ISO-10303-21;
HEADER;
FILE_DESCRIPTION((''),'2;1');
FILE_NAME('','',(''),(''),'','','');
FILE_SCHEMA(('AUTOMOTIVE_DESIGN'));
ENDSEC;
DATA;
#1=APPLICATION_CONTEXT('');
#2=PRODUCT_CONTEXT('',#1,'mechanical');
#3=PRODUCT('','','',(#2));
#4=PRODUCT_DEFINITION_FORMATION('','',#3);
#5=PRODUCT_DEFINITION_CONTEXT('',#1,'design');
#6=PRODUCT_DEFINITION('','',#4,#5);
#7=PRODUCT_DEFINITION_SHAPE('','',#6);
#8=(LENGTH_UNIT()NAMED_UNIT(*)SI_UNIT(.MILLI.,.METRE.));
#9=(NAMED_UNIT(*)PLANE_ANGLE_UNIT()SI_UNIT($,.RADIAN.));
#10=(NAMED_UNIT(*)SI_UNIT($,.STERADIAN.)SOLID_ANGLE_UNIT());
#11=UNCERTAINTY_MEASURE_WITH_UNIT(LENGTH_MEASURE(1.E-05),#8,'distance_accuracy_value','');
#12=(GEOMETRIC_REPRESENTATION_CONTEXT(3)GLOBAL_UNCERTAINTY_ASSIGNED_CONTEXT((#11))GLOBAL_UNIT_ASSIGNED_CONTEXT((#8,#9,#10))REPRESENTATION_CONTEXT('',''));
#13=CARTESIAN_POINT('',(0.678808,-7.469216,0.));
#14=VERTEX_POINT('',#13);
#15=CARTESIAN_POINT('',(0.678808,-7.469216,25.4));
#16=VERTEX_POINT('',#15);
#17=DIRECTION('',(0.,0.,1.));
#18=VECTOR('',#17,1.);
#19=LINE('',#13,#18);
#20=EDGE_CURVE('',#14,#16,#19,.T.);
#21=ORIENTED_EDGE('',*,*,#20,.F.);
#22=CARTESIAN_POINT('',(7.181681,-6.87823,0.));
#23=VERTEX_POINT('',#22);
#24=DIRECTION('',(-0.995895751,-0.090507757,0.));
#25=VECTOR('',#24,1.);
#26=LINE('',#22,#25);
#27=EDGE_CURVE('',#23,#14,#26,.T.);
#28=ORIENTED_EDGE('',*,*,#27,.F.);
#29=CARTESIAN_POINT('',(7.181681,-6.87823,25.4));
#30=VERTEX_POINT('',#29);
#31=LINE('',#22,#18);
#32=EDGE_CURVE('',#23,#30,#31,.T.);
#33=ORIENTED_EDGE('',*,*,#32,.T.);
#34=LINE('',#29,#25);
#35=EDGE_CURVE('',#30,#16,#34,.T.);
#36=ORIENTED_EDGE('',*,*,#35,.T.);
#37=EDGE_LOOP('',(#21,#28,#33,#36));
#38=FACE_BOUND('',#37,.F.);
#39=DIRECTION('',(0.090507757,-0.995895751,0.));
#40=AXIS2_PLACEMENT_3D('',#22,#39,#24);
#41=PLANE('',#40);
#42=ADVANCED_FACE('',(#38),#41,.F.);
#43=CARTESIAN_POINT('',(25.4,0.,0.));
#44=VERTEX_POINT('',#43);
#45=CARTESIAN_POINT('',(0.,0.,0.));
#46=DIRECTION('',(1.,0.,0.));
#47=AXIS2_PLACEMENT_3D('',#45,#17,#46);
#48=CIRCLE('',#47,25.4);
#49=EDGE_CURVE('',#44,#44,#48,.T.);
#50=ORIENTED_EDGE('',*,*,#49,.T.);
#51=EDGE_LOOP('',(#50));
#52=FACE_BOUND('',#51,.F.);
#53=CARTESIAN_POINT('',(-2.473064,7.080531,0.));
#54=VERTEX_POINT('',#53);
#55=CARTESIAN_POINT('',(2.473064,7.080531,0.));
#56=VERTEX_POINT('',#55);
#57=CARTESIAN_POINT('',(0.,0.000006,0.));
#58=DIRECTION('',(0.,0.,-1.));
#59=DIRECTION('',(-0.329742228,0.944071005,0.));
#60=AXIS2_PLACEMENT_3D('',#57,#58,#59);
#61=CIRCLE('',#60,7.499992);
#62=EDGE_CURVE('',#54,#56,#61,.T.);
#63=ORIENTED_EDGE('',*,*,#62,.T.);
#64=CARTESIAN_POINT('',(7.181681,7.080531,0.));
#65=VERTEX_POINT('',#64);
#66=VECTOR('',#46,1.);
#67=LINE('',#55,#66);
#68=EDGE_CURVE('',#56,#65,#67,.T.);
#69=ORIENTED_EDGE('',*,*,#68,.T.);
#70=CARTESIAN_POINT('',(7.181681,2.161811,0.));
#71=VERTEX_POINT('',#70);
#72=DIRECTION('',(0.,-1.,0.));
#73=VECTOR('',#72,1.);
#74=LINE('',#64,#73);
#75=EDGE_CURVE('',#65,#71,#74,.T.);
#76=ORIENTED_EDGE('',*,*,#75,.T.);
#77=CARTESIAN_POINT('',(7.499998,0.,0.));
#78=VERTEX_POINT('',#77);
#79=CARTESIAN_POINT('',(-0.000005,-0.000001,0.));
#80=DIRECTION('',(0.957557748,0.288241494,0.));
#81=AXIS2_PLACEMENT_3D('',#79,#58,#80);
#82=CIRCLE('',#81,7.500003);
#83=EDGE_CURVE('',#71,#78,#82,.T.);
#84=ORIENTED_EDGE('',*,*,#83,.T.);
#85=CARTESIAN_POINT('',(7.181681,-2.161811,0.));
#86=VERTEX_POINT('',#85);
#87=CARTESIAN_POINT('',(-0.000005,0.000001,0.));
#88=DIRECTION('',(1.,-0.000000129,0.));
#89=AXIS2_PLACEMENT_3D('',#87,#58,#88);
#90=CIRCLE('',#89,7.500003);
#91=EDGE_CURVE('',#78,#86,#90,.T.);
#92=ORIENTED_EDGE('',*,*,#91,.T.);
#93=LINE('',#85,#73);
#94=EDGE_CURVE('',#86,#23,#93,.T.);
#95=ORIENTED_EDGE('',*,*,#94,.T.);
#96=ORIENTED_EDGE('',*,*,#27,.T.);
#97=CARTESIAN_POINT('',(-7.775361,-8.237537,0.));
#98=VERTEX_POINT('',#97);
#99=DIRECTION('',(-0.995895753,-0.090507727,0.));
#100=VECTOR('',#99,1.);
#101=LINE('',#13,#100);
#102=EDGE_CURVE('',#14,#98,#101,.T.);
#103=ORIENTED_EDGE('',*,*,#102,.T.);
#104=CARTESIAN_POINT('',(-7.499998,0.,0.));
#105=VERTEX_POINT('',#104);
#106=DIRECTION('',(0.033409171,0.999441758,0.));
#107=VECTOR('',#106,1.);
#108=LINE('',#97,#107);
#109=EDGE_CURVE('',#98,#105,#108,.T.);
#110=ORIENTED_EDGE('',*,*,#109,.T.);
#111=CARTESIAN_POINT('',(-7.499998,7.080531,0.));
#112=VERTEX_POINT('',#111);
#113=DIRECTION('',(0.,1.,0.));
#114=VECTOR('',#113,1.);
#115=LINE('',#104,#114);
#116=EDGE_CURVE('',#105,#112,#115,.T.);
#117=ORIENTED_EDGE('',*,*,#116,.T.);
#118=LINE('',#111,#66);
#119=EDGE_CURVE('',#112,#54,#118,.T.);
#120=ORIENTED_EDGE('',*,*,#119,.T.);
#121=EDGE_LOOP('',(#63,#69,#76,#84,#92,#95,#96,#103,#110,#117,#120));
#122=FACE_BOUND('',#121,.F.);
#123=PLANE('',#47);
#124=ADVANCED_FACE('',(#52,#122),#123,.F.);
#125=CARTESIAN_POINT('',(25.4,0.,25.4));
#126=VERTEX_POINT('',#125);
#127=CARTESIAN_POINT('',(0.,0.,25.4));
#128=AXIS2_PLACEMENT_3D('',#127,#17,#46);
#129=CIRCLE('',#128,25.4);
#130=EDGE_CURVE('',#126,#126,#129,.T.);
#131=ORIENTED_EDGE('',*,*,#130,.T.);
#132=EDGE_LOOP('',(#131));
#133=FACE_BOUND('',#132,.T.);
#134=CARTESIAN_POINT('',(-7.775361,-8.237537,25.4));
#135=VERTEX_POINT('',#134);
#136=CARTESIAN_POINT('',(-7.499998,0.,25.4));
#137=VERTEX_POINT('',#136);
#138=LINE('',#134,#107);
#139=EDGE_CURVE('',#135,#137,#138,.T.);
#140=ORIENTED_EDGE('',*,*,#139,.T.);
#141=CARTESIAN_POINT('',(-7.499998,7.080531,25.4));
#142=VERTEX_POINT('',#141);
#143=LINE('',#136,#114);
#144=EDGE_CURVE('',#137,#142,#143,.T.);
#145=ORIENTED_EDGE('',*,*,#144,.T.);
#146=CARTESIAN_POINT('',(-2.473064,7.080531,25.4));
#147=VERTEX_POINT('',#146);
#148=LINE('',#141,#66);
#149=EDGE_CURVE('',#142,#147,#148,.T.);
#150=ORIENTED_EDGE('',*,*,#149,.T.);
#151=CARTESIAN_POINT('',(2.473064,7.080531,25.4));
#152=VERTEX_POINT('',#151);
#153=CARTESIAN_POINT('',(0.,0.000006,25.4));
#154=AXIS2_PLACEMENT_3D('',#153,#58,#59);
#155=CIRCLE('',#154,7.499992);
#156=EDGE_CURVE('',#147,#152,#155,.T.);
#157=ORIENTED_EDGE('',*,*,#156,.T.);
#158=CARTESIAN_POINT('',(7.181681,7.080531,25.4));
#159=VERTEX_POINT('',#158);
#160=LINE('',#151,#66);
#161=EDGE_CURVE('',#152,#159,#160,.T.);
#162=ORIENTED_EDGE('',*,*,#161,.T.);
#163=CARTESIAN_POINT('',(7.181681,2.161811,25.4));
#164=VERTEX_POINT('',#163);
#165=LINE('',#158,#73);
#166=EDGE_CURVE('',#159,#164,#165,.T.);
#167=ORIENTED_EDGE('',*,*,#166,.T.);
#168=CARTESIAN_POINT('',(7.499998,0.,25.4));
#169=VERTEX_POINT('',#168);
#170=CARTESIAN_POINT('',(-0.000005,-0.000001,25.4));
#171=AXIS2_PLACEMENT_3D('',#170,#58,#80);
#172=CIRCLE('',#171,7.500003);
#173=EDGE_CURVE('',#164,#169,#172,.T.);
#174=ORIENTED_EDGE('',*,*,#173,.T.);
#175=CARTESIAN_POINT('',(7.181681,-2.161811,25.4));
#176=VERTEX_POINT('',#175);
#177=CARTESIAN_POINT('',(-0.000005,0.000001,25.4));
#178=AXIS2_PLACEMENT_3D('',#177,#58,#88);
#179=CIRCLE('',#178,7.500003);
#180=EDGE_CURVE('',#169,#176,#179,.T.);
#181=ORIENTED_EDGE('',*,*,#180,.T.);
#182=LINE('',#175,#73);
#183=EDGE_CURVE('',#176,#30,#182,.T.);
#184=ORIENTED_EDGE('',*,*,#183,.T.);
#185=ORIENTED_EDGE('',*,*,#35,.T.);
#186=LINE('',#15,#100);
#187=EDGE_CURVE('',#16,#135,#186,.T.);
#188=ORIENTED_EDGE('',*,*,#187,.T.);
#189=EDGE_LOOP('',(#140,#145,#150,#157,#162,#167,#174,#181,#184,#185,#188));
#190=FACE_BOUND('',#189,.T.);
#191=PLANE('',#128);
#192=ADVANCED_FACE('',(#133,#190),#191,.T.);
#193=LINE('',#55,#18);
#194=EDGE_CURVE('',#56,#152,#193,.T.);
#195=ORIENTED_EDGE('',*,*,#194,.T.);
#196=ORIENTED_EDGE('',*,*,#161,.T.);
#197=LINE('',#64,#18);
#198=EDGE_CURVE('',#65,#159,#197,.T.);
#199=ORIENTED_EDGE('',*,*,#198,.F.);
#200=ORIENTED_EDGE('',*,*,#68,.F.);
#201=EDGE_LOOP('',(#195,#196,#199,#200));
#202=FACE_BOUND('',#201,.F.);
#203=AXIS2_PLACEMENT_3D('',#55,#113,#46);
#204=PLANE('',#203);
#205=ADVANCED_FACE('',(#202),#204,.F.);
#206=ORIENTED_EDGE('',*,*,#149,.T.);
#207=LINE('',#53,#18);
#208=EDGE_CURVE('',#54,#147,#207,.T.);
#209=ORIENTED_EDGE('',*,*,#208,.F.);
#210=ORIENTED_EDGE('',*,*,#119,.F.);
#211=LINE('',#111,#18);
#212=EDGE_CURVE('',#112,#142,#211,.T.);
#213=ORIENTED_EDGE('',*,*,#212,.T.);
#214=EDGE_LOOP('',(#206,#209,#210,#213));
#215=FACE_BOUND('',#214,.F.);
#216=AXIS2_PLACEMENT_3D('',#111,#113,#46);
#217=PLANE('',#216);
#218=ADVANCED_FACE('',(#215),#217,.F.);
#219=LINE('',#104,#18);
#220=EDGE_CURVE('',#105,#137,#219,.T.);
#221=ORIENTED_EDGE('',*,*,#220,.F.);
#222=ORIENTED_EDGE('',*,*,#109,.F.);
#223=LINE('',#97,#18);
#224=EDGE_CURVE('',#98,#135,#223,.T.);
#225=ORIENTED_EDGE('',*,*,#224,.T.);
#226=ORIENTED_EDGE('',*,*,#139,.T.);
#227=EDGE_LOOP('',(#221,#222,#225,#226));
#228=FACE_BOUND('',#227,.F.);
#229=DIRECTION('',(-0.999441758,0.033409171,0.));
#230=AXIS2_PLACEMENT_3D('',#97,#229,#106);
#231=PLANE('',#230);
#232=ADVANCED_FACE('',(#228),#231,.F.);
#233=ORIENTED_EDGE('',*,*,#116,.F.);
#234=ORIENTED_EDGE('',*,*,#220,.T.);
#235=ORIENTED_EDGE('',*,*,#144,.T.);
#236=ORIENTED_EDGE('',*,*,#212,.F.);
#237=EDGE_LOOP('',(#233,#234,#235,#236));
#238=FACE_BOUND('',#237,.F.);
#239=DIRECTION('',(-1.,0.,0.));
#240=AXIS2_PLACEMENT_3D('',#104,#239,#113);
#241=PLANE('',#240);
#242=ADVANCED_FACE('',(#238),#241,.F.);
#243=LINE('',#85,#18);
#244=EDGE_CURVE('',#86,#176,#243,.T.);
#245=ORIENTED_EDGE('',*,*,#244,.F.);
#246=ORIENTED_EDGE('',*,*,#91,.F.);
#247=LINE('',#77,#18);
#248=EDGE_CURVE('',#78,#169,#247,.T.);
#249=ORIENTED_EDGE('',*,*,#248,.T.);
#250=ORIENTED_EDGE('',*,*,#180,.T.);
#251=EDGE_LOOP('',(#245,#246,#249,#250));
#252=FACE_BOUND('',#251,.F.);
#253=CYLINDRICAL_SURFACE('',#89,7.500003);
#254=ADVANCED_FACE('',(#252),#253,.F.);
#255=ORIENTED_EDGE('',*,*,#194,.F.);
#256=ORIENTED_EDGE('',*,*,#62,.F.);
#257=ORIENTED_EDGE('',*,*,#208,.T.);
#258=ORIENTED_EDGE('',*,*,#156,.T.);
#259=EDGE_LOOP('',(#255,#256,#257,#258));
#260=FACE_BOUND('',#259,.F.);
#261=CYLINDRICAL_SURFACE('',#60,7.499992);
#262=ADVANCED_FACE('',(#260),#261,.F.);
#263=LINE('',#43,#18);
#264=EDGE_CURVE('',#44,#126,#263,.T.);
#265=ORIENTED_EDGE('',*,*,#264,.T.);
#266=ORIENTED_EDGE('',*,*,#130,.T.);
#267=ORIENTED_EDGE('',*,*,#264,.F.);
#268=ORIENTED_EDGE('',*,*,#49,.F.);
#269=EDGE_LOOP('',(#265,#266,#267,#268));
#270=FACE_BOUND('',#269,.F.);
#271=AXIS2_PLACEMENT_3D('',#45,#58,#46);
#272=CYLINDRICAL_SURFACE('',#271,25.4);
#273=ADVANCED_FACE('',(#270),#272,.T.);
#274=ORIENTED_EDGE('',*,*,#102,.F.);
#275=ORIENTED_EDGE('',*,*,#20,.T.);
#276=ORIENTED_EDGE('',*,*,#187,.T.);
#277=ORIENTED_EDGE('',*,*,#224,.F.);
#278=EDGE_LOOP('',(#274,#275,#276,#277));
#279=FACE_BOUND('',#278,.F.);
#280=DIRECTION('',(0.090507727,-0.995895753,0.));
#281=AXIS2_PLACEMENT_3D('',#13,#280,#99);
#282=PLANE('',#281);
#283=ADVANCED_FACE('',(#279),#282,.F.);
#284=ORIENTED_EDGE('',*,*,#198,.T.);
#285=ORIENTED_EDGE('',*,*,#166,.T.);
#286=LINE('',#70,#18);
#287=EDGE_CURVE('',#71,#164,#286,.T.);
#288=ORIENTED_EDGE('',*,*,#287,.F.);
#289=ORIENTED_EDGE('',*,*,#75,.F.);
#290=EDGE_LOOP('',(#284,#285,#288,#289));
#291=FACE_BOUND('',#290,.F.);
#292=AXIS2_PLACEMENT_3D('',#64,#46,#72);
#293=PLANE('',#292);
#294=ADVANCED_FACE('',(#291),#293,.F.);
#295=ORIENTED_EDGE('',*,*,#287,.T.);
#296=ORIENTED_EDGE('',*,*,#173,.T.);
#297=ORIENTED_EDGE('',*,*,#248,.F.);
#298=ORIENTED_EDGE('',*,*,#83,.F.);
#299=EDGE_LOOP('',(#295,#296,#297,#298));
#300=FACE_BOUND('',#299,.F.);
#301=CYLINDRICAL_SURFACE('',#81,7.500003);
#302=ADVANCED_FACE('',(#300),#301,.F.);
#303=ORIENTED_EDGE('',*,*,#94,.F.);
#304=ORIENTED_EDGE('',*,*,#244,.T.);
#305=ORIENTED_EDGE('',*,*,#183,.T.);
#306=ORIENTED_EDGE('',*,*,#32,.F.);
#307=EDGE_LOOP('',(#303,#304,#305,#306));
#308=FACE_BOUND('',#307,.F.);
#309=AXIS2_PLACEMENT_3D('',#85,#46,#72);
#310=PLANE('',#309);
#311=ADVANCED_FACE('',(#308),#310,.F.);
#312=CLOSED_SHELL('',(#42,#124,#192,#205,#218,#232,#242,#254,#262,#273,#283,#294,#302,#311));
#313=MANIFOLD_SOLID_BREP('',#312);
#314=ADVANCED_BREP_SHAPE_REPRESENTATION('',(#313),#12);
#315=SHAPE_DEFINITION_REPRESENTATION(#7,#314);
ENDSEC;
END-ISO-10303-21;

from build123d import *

# Parameters (mm, degrees)
F0_R     = 25.4
F1_DEPTH = 25.4


with BuildPart() as f1:
    # F0 (on Top) → F1 (new body)
    with BuildSketch(Plane.XY):
        Circle(F0_R)
        with BuildLine():
            ThreePointArc((7.181681, 2.161811), (7.419992, 1.09256), (7.499998, 0))
            ThreePointArc((7.499998, 0), (7.419992, -1.09256), (7.181681, -2.161811))
            Line((7.181681, -2.161811), (7.181681, -6.87823))
            Line((7.181681, -6.87823), (0.678808, -7.469216))
            Line((0.678808, -7.469216), (-7.775361, -8.237537))
            Line((-7.775361, -8.237537), (-7.499998, 0))
            Line((-7.499998, 0), (-7.499998, 7.080531))
            Line((-7.499998, 7.080531), (-2.473064, 7.080531))
            ThreePointArc((-2.473064, 7.080531), (0, 7.499998), (2.473064, 7.080531))
            Line((2.473064, 7.080531), (7.181681, 7.080531))
            Line((7.181681, 7.080531), (7.181681, 2.161811))
        make_face(mode=Mode.SUBTRACT)
    extrude(amount=F1_DEPTH)


solid = f1.part
